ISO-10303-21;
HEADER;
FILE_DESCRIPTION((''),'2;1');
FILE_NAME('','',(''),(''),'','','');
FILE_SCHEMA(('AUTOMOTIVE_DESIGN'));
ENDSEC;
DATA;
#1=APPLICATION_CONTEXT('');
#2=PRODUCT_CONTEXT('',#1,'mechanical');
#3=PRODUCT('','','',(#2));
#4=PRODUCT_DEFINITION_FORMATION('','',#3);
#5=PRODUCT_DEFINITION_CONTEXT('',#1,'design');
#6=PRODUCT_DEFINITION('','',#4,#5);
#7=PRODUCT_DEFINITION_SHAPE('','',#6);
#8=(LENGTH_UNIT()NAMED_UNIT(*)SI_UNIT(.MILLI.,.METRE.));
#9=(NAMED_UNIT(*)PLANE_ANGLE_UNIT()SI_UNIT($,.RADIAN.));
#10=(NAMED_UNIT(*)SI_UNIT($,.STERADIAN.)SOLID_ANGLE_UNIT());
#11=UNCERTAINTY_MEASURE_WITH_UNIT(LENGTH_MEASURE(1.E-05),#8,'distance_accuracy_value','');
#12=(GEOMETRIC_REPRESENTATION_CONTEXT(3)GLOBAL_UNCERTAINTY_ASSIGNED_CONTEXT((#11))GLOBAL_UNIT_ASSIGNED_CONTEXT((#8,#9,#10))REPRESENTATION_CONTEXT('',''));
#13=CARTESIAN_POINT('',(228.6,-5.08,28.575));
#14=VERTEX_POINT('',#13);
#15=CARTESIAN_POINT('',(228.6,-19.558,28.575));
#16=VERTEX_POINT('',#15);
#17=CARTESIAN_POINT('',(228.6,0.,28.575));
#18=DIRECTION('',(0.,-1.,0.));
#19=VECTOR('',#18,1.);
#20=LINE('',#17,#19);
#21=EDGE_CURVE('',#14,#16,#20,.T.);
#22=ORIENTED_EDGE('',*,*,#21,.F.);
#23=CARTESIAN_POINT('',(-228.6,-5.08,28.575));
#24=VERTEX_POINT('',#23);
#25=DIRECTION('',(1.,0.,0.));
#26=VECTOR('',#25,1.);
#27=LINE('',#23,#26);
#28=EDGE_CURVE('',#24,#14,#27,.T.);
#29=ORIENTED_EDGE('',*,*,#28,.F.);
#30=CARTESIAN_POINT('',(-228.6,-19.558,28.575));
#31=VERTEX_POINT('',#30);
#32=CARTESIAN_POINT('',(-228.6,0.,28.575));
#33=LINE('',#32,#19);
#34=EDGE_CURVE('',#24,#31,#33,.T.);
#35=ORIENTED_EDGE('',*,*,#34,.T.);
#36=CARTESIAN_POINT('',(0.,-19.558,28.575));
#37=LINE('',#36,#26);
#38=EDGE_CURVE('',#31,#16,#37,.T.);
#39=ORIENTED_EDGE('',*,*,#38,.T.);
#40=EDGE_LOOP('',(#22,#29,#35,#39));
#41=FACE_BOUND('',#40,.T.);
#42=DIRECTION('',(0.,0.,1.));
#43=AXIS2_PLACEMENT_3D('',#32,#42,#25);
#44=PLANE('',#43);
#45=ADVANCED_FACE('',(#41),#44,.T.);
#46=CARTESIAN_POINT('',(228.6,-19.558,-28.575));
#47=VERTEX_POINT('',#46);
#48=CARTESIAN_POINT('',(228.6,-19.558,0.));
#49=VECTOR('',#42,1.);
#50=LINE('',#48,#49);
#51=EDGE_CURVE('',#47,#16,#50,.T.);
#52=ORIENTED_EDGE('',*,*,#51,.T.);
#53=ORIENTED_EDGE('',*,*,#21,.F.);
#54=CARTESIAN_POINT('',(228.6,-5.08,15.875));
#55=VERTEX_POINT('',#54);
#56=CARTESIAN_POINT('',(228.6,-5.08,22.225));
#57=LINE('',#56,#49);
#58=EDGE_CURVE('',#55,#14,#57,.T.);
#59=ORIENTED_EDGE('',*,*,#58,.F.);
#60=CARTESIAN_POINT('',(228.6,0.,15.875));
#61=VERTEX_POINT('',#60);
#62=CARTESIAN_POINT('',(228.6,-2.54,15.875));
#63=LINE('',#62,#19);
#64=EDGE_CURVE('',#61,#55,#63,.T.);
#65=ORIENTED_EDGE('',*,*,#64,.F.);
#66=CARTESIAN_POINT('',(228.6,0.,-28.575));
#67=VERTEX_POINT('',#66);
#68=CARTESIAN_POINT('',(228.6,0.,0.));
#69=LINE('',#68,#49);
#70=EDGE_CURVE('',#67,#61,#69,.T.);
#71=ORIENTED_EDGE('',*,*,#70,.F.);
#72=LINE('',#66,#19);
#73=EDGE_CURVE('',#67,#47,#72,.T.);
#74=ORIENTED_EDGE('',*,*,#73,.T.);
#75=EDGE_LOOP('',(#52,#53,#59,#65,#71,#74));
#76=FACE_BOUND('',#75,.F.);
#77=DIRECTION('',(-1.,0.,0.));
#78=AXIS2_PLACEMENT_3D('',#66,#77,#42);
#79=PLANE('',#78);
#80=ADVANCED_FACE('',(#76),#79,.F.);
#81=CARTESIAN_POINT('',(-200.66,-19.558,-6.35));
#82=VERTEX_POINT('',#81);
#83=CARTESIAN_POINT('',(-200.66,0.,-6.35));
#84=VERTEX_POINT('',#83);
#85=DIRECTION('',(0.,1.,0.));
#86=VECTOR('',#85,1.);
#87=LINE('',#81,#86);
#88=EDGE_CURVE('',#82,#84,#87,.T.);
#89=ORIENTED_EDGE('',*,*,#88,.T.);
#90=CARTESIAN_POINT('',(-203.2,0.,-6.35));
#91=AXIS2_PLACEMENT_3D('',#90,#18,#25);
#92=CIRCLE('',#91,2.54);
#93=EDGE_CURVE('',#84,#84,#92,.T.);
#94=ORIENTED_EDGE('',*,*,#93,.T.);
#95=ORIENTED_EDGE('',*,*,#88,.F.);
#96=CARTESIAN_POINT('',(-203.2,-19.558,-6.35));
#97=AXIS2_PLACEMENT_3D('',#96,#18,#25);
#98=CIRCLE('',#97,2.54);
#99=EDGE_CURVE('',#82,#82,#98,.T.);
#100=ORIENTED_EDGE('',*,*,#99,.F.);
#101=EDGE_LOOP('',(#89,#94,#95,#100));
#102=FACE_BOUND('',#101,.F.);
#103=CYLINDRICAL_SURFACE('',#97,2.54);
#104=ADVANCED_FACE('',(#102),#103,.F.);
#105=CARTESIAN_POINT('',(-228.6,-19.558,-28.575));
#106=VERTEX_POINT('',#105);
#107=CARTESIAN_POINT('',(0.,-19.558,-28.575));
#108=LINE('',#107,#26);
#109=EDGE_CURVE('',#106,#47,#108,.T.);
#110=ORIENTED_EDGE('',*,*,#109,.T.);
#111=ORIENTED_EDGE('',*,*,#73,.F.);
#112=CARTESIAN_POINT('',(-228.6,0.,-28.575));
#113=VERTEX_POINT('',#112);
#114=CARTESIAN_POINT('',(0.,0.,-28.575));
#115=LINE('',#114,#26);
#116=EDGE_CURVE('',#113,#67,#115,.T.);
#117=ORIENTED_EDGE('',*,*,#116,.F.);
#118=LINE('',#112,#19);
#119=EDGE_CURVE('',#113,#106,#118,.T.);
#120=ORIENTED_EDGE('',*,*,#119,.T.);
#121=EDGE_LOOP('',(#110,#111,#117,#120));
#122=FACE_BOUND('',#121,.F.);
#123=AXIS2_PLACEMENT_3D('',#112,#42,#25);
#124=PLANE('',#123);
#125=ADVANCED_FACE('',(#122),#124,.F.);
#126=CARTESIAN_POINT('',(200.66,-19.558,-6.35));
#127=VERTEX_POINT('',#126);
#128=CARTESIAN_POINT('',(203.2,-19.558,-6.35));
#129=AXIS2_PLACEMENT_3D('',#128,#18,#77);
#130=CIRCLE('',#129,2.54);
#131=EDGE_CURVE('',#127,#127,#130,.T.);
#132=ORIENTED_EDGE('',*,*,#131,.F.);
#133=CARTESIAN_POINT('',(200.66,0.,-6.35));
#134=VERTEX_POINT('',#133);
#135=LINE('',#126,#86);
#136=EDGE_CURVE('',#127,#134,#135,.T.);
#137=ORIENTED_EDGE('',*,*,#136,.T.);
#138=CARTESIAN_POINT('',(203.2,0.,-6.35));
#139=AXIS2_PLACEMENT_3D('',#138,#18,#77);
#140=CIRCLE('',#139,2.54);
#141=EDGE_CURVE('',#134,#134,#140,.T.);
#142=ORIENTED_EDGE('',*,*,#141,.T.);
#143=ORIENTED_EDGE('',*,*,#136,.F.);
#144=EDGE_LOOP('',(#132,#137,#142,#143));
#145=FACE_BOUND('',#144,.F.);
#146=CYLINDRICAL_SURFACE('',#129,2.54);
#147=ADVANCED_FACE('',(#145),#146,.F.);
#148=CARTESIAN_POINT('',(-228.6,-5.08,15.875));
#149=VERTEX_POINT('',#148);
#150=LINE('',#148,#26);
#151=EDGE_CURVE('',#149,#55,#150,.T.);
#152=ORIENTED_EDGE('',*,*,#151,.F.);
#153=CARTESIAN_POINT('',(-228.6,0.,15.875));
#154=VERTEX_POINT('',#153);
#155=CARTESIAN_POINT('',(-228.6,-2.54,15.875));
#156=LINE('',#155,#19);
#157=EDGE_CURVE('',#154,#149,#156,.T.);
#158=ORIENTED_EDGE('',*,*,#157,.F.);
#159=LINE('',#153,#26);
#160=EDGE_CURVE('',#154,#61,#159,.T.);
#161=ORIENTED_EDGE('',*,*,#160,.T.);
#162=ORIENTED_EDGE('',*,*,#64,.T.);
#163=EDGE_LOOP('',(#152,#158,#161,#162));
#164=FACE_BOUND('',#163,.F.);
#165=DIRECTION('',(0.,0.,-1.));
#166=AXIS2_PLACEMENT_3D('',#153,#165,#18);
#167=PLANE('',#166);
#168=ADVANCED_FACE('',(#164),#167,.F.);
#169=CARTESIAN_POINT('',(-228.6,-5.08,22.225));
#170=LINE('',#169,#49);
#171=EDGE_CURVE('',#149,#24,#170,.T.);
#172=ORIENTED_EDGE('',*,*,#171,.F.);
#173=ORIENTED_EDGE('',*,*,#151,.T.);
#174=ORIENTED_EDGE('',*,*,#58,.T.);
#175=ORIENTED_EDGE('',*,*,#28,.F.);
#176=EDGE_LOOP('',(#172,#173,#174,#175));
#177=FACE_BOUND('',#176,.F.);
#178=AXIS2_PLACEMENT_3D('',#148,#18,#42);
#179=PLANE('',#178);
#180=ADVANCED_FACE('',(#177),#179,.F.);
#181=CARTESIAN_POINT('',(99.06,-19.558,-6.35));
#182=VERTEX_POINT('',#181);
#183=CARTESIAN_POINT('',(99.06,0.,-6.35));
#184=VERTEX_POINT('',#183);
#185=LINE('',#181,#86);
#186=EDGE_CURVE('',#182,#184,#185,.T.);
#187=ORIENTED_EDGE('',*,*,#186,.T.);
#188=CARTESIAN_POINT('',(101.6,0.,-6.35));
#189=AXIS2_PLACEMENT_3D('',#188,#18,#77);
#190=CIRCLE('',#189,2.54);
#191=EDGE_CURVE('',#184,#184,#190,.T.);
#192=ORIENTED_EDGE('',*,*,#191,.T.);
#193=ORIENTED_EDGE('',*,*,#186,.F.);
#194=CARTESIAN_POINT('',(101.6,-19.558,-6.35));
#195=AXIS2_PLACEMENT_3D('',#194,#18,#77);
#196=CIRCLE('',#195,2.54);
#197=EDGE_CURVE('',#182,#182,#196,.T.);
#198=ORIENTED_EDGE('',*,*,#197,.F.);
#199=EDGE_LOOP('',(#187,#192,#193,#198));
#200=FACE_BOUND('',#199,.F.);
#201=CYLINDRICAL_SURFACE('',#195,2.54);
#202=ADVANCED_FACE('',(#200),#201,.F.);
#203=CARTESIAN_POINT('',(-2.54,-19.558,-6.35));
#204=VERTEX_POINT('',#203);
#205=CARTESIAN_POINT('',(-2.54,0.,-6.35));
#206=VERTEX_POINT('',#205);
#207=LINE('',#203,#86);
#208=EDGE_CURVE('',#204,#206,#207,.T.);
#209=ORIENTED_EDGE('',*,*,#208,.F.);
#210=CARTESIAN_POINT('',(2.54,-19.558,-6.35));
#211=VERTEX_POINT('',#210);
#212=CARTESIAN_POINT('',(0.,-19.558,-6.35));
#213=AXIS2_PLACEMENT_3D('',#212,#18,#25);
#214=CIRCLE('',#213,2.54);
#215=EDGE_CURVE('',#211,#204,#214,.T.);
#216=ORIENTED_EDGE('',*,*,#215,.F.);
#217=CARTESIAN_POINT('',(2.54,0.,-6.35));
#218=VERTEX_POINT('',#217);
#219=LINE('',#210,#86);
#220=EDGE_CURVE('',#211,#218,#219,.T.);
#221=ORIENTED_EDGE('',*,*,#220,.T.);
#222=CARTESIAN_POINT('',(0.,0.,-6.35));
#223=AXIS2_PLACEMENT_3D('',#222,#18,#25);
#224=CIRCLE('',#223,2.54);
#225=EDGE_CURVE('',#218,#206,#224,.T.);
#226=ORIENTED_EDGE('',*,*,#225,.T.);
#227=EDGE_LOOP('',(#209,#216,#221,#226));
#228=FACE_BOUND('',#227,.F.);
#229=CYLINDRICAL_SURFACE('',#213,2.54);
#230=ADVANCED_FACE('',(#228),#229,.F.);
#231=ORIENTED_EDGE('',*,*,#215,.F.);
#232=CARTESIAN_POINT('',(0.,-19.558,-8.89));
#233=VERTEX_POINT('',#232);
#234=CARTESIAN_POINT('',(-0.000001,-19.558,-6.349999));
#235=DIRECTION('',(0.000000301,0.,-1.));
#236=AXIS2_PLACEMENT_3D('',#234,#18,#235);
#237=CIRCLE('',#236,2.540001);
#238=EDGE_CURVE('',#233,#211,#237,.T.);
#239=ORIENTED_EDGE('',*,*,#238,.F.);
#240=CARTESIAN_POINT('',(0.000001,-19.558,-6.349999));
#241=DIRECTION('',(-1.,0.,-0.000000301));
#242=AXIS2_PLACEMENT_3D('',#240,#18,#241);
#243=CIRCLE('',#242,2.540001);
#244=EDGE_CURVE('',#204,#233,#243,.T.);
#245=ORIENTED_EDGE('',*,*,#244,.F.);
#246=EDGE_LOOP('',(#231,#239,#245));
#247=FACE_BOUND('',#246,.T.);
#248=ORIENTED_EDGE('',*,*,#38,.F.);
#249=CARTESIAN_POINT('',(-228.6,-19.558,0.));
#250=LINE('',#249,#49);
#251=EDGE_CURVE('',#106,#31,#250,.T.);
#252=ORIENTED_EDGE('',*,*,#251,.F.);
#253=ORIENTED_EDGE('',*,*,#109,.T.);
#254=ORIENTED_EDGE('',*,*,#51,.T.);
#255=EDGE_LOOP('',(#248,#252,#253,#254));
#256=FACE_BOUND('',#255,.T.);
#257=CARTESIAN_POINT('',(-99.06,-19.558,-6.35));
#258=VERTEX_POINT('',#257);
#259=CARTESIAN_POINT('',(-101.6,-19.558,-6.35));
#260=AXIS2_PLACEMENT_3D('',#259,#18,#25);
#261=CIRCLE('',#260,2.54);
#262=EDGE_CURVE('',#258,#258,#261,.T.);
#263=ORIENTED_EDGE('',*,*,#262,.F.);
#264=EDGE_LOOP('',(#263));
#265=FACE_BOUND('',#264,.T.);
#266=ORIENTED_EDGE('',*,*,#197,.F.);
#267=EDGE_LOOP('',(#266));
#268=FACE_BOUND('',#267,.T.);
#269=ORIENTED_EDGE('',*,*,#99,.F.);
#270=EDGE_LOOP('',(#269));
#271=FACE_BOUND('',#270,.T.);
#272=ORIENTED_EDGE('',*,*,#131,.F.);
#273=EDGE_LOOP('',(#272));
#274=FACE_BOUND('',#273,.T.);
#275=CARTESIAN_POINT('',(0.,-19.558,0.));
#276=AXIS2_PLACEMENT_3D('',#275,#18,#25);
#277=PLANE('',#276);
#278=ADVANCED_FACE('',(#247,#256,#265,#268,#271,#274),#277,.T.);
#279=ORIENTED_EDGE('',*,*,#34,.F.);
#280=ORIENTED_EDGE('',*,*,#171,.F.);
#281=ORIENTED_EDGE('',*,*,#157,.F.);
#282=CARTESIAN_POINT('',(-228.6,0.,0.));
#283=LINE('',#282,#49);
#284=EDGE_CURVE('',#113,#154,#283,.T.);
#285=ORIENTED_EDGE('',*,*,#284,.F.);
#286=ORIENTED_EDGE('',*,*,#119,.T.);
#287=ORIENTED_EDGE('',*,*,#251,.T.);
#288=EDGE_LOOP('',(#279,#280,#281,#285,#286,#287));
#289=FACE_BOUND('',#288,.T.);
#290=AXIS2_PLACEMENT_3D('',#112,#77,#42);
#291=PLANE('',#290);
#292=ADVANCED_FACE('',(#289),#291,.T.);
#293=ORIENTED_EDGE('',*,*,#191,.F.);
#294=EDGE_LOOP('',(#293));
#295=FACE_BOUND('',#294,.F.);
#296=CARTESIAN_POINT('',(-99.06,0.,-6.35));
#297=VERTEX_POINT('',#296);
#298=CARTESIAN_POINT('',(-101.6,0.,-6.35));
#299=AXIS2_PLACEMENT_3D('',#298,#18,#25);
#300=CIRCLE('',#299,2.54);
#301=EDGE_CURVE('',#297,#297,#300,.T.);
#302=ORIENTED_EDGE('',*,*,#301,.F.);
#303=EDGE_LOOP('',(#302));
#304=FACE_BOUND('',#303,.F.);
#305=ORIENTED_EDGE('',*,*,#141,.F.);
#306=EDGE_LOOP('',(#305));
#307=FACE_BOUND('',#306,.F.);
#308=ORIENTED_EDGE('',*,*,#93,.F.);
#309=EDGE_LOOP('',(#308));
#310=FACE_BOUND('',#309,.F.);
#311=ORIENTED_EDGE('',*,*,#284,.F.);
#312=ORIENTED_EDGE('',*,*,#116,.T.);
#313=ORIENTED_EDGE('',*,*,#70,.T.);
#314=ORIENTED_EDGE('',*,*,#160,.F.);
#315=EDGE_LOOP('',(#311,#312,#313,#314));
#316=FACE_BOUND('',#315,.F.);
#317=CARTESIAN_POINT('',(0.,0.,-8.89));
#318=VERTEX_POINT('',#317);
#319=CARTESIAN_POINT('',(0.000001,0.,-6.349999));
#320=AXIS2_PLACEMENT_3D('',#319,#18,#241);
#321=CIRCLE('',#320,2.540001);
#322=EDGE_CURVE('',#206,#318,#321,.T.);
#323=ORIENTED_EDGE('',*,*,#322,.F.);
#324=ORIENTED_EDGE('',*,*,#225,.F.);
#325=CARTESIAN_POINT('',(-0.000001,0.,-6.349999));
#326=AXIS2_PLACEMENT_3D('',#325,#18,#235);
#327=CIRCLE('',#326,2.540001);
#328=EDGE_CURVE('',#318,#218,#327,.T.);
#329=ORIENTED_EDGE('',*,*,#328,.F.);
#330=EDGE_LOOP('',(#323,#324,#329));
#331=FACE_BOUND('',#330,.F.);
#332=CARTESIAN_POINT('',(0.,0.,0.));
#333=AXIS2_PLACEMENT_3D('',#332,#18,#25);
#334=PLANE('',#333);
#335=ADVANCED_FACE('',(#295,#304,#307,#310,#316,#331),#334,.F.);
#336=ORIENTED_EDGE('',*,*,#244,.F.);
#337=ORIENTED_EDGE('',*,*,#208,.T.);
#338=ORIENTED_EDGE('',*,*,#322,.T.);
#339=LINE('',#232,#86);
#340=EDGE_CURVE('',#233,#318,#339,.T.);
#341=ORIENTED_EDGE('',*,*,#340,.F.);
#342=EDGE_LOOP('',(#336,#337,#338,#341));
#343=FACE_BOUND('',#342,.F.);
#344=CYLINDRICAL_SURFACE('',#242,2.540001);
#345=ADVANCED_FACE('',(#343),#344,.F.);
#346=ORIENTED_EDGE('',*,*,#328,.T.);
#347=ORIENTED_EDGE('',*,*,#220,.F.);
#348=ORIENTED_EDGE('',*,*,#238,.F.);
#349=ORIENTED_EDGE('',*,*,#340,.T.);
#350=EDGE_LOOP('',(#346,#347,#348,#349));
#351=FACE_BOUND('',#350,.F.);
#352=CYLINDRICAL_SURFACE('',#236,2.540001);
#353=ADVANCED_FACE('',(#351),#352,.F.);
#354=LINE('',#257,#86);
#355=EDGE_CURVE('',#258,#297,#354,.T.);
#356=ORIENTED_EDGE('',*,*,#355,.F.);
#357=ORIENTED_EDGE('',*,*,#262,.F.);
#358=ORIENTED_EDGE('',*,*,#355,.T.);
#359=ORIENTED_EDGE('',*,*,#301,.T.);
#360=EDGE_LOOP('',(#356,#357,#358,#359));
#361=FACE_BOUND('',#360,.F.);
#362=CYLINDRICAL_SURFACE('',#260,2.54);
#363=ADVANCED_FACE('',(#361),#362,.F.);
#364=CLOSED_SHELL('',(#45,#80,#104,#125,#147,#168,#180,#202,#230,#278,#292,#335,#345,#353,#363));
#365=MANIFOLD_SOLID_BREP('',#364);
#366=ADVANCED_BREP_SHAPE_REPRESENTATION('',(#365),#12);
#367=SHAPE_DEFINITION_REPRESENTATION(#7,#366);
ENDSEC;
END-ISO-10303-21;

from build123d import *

# Parameters (mm, degrees)
F0_W     = 457.2
F0_H     = 57.15
F1_DEPTH = 19.558
F2_W     = 5.08
F2_H     = 12.7
F3_DEPTH = 457.2
F4_R     = 2.54
F5_DEPTH = 19.558


with BuildPart() as f1:
    # F0 (on Front) → F1 (new body)
    with BuildSketch(Plane.XZ):
        Rectangle(F0_W, F0_H)
    extrude(amount=F1_DEPTH)

    # F2 (on face) → F3 (cut, through all)
    with BuildSketch(Plane(origin=(-228.6, 0, 0), x_dir=(0, -1, 0), z_dir=(-1, 0, 0))):
        with Locations((2.54, 22.225)):
            Rectangle(F2_W, F2_H)
    extrude(amount=-F3_DEPTH, mode=Mode.SUBTRACT)

    # F4 (on face) → F5 (cut, through all)
    with BuildSketch(Plane.XZ.offset(19.558)):
        with BuildLine():
            ThreePointArc((-2.54, -6.35), (-1.796051, -8.146051), (0, -8.89))
            Line((0, -8.89), (0, -6.35))
            Line((0, -6.35), (-2.54, -6.35))
        make_face()
        with Locations((-203.2, -6.35)):
            Circle(F4_R)
        with BuildLine():
            ThreePointArc((-104.14, -6.35), (-101.6, -8.89), (-99.06, -6.35))
            Line((-99.06, -6.35), (-101.6, -6.35))
            Line((-101.6, -6.35), (-104.14, -6.35))
        make_face()
        with BuildLine():
            Line((-101.6, -6.35), (-99.06, -6.35))
            ThreePointArc((-99.06, -6.35), (-101.6, -3.81), (-104.14, -6.35))
            Line((-104.14, -6.35), (-101.6, -6.35))
        make_face()
        with BuildLine():
            ThreePointArc((205.74, -6.35), (203.2, -3.81), (200.66, -6.35))
            ThreePointArc((200.66, -6.35), (203.2, -8.89), (205.74, -6.35))
        make_face()
        with BuildLine():
            ThreePointArc((104.14, -6.35), (101.6, -3.81), (99.06, -6.35))
            Line((99.06, -6.35), (101.6, -6.35))
            Line((101.6, -6.35), (104.14, -6.35))
        make_face()
        with BuildLine():
            Line((101.6, -6.35), (99.06, -6.35))
            ThreePointArc((99.06, -6.35), (101.6, -8.89), (104.14, -6.35))
            Line((104.14, -6.35), (101.6, -6.35))
        make_face()
        with BuildLine():
            Line((0, -6.35), (0, -8.89))
            ThreePointArc((0, -8.89), (1.796051, -8.146051), (2.54, -6.35))
            Line((2.54, -6.35), (0, -6.35))
        make_face()
        with BuildLine():
            Line((-2.54, -6.35), (0, -6.35))
            Line((0, -6.35), (2.54, -6.35))
            ThreePointArc((2.54, -6.35), (0, -3.81), (-2.54, -6.35))
        make_face()
    extrude(amount=-F5_DEPTH, mode=Mode.SUBTRACT)


solid = f1.part
